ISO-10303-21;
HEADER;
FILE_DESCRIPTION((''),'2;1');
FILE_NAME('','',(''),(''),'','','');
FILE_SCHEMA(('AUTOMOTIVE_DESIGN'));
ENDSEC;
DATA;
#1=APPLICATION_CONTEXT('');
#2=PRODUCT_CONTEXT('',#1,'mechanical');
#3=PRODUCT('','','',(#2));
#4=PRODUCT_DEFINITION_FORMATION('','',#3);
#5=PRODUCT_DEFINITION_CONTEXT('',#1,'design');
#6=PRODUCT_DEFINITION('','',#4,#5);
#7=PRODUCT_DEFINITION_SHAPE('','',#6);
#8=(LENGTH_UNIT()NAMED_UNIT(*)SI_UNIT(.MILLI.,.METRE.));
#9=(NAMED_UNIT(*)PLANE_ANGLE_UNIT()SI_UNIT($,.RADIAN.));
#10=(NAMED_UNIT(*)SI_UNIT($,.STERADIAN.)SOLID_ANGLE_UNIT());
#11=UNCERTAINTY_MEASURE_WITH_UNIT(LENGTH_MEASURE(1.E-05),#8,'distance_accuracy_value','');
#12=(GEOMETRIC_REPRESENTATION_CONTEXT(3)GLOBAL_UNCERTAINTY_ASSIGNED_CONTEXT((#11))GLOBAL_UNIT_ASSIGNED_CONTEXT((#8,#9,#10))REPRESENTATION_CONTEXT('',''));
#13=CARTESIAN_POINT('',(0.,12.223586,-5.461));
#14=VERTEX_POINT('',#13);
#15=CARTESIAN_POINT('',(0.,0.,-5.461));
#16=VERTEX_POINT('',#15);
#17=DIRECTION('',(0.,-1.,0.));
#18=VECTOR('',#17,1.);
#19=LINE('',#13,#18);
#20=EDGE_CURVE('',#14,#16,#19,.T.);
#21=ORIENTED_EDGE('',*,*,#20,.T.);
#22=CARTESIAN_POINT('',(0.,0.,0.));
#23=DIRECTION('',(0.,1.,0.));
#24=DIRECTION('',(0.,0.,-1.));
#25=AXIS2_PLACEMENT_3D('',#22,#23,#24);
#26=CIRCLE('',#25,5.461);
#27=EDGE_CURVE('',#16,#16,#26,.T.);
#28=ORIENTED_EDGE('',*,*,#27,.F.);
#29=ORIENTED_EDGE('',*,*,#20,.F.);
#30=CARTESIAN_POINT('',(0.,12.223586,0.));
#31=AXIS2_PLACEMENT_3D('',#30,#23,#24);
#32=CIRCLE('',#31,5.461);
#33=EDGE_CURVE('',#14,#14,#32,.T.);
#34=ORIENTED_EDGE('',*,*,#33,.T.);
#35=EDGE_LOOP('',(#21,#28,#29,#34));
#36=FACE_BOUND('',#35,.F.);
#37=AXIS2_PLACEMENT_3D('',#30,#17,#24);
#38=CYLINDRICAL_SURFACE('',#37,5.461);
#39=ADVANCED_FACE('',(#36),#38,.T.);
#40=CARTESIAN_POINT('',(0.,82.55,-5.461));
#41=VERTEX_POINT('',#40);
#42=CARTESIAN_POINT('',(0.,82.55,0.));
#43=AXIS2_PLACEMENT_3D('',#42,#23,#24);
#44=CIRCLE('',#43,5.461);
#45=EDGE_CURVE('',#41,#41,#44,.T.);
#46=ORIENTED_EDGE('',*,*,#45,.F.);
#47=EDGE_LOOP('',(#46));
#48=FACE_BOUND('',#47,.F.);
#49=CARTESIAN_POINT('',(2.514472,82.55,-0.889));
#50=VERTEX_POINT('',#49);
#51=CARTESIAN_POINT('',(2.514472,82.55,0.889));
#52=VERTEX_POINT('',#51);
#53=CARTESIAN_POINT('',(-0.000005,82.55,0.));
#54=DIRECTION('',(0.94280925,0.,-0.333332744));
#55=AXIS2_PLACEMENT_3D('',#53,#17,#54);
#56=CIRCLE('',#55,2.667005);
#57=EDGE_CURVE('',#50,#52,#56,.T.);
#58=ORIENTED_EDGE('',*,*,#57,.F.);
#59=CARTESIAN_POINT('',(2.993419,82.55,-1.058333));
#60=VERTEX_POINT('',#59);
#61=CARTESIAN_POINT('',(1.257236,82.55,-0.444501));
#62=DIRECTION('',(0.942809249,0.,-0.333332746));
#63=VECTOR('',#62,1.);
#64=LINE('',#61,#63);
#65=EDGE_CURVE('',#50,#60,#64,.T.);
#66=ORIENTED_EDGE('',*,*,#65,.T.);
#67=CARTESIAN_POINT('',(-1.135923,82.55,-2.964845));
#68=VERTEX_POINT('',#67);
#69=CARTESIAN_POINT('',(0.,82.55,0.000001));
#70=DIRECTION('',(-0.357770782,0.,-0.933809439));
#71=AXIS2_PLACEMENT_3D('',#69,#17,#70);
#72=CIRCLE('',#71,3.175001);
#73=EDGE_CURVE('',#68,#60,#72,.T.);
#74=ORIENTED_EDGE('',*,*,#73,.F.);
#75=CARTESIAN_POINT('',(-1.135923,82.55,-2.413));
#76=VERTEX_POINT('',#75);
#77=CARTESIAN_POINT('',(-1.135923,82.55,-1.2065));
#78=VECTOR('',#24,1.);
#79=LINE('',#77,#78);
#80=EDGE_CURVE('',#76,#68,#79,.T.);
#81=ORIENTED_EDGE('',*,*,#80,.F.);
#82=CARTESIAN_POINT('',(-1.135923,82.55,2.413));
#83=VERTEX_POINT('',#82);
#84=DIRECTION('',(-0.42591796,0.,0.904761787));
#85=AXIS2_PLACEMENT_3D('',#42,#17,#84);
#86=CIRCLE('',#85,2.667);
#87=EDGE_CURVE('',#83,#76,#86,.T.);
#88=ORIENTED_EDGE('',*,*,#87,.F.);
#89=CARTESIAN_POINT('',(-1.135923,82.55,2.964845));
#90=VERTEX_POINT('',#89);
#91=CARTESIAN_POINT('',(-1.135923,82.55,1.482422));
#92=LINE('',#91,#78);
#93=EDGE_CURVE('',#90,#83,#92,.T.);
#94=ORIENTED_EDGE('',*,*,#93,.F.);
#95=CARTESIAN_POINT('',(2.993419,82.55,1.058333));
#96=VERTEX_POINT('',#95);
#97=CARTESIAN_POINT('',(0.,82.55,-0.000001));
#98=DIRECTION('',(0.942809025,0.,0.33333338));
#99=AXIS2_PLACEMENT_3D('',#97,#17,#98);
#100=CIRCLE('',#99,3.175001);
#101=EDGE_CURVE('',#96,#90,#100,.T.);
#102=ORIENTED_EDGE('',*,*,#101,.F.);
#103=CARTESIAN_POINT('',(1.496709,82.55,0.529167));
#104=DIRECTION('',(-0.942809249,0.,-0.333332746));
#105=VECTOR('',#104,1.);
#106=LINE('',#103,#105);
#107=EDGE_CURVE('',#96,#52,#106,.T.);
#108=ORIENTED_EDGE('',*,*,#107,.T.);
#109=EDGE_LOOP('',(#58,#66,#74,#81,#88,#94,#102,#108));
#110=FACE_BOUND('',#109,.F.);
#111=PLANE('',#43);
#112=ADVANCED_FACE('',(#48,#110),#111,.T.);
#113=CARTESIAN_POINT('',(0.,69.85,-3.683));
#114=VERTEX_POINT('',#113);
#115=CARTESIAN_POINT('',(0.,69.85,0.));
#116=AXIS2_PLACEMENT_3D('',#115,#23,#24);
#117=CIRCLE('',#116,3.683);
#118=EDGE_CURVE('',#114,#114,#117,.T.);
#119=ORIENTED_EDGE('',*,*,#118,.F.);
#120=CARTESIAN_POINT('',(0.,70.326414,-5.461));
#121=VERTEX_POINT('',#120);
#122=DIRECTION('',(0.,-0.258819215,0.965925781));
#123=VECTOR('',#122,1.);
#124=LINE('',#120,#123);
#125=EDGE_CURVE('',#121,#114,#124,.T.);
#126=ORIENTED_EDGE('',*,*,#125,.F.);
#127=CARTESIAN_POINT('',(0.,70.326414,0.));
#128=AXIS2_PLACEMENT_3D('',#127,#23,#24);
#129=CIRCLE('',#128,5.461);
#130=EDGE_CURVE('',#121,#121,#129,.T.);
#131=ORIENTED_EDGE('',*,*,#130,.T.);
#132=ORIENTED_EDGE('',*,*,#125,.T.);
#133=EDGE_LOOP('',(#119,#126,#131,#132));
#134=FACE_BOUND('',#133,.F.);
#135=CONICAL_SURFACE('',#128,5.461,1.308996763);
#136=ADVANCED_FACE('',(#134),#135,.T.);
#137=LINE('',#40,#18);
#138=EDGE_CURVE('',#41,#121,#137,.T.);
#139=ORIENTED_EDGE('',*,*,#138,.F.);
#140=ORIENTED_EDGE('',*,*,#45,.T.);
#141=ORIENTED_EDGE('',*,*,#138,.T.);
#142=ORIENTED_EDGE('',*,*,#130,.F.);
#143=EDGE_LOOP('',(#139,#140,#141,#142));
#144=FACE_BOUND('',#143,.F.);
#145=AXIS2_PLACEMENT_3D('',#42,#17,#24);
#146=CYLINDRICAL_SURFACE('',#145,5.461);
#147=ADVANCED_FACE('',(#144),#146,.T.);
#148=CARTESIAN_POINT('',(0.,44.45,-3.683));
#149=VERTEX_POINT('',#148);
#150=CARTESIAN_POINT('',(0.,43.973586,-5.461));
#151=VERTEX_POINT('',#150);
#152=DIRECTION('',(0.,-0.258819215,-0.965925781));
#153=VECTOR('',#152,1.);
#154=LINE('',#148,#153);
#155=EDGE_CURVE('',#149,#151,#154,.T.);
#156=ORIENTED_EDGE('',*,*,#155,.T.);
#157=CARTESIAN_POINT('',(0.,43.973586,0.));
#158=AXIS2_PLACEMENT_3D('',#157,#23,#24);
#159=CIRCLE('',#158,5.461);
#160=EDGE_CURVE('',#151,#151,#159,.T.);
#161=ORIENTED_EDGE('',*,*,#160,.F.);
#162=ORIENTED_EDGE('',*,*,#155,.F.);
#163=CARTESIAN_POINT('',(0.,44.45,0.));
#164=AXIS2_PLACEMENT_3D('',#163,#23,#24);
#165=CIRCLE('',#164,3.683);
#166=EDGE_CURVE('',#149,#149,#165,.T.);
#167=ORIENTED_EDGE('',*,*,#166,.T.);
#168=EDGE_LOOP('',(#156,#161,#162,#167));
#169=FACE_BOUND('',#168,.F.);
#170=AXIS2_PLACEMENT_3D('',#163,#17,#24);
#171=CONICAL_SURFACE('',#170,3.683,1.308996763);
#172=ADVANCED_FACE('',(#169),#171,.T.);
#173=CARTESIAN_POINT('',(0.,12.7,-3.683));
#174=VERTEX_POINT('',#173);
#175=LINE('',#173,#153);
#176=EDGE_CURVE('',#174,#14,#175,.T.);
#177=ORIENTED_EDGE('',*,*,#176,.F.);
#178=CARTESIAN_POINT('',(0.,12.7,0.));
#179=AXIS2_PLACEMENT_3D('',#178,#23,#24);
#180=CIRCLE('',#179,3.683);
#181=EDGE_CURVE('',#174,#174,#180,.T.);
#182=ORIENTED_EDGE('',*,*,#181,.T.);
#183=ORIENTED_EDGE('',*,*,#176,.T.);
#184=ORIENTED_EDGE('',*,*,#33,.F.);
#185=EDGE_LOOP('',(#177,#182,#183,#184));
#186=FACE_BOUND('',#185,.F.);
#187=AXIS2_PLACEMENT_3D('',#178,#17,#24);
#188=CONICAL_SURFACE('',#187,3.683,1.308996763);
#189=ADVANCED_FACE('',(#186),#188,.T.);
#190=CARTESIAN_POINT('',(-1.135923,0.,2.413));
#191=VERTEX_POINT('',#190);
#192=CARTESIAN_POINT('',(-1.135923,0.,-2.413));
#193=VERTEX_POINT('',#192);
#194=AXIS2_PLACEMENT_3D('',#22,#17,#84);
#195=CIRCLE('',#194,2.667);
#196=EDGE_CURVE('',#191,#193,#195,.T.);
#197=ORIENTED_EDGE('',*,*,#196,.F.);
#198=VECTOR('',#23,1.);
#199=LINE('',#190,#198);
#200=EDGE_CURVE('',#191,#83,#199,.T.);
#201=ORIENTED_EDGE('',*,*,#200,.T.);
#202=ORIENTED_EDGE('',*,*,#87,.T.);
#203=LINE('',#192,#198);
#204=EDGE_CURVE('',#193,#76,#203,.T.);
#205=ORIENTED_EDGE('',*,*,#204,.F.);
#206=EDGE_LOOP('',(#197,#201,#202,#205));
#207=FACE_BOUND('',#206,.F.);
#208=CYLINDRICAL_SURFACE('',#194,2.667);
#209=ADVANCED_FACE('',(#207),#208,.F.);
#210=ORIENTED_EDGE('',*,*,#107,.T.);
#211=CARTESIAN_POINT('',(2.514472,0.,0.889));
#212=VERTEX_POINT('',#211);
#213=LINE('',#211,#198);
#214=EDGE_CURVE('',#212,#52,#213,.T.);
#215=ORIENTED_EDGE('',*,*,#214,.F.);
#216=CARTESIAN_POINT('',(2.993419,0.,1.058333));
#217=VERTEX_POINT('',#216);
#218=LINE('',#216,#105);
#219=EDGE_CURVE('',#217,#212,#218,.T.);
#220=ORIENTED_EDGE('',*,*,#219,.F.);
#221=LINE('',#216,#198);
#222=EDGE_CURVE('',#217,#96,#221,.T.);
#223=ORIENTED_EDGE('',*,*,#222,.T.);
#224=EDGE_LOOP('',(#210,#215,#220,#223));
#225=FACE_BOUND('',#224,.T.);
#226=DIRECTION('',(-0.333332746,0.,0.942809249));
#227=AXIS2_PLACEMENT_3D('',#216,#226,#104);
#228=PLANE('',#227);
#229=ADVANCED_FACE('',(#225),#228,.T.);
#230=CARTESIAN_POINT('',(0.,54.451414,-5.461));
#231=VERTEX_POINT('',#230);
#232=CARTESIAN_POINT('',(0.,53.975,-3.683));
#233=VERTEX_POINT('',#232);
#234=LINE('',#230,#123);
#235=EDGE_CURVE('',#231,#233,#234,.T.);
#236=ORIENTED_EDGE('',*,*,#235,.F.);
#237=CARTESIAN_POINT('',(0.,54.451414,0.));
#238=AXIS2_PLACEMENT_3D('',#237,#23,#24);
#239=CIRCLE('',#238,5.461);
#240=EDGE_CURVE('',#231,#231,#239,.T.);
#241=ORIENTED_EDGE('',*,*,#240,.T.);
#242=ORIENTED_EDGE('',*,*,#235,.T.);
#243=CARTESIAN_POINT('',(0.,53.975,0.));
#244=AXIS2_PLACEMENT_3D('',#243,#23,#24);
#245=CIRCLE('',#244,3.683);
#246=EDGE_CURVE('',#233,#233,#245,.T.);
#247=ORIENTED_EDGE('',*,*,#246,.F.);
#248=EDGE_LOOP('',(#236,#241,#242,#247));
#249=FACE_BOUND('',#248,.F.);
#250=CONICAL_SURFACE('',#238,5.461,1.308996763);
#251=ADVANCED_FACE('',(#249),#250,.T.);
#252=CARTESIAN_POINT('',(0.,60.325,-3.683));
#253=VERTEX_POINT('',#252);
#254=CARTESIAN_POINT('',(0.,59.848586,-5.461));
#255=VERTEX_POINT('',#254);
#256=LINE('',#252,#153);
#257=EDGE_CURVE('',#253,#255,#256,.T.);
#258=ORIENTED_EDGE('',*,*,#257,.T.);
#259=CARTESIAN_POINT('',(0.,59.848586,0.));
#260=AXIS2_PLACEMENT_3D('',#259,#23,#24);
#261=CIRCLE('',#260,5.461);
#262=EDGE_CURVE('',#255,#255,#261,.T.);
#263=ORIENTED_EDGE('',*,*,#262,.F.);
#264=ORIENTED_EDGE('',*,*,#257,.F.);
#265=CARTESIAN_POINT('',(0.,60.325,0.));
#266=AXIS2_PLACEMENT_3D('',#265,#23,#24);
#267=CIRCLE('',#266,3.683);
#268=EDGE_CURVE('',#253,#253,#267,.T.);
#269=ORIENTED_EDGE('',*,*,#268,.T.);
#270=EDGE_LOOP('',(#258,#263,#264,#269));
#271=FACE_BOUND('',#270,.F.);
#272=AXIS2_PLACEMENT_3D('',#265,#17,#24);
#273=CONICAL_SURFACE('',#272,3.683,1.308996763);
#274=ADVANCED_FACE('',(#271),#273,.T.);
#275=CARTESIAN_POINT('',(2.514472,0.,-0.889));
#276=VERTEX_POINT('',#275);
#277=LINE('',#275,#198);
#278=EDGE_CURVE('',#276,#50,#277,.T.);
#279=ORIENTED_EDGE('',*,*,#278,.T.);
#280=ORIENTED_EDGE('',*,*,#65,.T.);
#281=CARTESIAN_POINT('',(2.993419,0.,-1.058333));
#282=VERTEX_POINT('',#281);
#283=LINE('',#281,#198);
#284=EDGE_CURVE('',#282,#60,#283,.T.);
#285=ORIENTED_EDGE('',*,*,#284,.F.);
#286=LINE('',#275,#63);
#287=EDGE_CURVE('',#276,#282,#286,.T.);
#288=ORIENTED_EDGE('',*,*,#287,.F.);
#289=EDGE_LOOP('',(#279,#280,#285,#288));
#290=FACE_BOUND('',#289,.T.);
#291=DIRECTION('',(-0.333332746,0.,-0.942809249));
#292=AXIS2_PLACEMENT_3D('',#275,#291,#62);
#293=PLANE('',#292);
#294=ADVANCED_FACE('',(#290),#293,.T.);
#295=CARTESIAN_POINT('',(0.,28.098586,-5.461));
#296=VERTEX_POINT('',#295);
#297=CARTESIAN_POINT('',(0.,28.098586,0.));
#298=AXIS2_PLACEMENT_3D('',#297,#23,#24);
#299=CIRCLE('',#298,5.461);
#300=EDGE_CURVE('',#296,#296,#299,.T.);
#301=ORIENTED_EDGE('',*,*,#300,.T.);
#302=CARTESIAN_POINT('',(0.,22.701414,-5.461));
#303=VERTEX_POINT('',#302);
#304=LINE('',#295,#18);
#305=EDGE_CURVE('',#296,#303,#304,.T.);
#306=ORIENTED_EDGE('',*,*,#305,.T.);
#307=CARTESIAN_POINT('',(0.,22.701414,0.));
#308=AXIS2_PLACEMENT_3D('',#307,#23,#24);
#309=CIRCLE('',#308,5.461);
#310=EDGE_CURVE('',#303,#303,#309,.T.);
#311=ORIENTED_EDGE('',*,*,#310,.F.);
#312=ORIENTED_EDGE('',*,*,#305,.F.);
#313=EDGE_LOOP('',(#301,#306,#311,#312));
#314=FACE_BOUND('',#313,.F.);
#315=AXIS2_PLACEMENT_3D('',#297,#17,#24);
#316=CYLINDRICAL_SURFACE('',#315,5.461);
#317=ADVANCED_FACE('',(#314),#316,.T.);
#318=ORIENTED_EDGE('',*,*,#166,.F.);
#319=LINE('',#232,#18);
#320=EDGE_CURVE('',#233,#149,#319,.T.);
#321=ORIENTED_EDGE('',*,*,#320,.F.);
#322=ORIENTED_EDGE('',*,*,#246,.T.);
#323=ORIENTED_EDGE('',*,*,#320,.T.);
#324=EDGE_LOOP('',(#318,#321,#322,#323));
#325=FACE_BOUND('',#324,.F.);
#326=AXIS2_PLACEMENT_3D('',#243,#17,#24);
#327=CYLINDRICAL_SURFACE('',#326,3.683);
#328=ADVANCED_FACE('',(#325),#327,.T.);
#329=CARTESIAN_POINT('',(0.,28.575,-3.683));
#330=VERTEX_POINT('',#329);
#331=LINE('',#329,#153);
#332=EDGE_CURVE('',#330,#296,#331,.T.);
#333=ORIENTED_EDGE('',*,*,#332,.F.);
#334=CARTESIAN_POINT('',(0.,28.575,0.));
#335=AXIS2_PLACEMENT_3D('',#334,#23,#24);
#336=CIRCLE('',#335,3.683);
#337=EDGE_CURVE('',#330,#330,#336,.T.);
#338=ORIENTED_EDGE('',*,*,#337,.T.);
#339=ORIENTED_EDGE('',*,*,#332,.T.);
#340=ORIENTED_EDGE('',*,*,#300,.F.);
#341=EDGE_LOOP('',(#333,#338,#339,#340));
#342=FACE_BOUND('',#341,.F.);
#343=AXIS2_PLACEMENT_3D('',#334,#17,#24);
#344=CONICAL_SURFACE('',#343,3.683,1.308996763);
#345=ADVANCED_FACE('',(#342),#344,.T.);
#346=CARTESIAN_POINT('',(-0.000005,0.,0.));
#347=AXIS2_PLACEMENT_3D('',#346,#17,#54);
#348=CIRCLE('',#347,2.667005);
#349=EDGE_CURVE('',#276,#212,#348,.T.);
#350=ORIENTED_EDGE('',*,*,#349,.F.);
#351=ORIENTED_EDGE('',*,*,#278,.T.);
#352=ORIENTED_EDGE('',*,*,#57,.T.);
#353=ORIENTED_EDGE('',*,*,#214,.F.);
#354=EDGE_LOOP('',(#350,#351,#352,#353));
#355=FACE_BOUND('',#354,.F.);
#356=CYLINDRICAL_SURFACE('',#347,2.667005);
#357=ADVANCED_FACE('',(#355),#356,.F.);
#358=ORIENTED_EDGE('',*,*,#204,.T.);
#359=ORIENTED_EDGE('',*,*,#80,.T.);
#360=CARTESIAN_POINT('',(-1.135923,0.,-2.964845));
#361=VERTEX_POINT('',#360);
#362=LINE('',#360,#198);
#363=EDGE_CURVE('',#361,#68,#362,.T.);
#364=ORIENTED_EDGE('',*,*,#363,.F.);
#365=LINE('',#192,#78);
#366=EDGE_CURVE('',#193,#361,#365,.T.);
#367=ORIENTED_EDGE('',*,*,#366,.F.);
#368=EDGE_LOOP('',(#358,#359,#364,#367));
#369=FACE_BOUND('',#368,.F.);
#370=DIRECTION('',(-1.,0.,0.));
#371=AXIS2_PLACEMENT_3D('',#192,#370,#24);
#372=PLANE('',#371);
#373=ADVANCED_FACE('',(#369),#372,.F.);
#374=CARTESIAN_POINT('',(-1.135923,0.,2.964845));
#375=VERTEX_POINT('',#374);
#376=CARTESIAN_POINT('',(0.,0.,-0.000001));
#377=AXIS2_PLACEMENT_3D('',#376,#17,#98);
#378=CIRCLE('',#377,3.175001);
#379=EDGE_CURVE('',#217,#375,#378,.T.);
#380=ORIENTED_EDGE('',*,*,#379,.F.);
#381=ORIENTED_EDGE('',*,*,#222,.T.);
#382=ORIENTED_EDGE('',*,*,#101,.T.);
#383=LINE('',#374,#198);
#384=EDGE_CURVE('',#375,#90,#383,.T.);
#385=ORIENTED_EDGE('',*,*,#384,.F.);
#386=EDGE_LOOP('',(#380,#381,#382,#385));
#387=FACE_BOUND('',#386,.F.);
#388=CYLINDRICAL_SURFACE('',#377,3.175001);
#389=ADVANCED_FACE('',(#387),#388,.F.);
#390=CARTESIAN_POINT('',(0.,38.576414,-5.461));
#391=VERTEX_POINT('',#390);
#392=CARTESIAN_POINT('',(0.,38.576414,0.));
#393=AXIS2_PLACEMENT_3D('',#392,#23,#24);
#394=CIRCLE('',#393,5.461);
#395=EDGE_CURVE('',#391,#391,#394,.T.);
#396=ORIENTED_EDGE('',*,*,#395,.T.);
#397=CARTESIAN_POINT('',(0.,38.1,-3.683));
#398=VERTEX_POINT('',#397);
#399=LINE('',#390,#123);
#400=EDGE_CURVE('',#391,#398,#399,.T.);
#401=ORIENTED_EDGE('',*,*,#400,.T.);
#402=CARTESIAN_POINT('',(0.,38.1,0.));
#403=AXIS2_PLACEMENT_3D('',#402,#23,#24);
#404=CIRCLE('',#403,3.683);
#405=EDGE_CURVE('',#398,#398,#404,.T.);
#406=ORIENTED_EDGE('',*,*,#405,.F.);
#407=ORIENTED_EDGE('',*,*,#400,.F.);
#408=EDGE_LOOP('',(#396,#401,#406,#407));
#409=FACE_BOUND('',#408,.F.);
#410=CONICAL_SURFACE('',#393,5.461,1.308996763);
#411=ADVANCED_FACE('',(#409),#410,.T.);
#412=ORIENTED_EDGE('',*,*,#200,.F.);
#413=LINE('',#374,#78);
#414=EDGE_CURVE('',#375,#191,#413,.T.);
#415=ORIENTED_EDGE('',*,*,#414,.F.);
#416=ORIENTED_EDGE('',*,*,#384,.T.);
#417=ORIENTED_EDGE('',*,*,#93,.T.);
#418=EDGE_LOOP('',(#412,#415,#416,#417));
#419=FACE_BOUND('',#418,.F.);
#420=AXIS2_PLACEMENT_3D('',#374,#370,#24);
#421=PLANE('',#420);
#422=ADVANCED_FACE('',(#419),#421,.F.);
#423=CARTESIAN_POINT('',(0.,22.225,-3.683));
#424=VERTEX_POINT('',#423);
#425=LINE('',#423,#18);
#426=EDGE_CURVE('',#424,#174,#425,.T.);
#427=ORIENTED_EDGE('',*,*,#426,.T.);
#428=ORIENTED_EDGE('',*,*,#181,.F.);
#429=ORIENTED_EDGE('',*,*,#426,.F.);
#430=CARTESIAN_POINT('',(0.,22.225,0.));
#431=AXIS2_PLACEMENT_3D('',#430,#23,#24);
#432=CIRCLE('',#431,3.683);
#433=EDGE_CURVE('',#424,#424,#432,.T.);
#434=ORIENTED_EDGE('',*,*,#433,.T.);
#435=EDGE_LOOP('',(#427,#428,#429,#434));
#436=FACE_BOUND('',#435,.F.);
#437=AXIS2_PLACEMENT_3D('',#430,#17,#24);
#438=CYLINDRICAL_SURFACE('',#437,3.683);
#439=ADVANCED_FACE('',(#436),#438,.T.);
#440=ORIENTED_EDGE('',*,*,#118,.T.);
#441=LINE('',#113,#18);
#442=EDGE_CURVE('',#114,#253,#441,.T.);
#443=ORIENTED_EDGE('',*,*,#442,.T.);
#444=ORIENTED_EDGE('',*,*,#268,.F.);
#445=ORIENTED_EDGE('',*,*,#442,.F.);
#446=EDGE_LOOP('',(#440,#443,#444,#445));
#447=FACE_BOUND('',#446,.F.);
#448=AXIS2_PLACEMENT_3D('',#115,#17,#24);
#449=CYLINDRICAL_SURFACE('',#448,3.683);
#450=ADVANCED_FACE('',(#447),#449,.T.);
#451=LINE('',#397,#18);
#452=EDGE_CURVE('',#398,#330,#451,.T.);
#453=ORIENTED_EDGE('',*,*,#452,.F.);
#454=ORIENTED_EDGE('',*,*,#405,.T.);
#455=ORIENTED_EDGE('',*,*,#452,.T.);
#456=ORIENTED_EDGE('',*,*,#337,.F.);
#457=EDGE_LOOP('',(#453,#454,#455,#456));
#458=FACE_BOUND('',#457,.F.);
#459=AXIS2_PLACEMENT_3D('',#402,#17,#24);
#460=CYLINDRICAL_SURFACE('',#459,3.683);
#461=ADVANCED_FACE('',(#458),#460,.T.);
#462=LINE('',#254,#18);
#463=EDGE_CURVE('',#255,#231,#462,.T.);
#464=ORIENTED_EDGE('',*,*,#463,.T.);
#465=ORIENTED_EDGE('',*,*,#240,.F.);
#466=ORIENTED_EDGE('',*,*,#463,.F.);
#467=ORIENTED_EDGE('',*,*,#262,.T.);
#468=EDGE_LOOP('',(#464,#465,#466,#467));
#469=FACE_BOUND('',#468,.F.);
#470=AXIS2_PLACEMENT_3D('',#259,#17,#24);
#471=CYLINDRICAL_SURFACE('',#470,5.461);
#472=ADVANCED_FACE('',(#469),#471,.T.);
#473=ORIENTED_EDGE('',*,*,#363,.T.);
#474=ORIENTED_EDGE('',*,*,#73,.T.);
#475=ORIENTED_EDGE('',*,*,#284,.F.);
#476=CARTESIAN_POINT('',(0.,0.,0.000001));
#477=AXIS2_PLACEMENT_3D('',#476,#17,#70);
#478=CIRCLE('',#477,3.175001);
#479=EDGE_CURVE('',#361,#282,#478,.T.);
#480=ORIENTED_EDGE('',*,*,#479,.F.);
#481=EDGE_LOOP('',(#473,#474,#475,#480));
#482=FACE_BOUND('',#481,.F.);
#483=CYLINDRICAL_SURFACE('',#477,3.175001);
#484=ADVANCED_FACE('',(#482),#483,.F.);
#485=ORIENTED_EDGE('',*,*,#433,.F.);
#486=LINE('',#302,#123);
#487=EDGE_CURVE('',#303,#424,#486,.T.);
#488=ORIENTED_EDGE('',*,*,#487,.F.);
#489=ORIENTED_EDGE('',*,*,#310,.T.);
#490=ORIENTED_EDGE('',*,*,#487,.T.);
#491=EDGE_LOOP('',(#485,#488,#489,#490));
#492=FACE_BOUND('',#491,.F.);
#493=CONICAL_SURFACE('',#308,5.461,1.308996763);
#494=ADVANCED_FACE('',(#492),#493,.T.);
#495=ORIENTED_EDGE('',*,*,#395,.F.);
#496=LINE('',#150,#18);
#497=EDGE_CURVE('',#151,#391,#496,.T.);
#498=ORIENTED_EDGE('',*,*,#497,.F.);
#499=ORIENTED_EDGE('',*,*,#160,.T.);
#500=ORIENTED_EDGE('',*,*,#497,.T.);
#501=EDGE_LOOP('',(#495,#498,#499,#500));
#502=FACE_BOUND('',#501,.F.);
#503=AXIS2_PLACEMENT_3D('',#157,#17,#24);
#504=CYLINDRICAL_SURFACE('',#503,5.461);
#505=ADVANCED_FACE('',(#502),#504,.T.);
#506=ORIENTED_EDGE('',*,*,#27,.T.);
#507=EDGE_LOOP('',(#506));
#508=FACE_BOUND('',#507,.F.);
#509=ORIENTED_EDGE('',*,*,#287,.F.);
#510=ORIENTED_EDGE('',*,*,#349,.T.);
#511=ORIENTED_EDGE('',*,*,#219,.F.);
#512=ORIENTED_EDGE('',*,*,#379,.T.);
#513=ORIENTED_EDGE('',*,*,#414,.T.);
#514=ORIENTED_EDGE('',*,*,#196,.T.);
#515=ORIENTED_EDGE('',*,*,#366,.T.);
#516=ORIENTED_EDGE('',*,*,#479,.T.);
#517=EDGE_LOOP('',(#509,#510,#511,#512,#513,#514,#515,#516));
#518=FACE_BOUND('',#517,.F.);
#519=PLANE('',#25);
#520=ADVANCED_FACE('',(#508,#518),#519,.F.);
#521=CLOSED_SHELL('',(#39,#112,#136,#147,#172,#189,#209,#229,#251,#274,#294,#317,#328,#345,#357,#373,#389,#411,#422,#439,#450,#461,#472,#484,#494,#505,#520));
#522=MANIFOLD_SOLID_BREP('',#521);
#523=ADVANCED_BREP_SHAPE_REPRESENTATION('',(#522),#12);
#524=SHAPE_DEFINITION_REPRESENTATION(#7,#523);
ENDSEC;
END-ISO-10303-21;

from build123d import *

# Parameters (mm, degrees)
POCKET_DEPTH = 82.551


with BuildPart() as part:
    # Sketch → Revolution (revolve)
    with BuildSketch(Plane.YZ):
        Polygon((0, 0), (82.55, 0), (82.55, -5.461), (70.326414, -5.461), (69.85, -3.683), (60.325, -3.683), (59.848586, -5.461), (54.451414, -5.461), (53.975, -3.683), (44.45, -3.683), (43.973586, -5.461), (38.576414, -5.461), (38.1, -3.683), (28.575, -3.683), (28.098586, -5.461), (22.701414, -5.461), (22.225, -3.683), (12.7, -3.683), (12.223586, -5.461), (0, -5.461), align=None)
    revolve(axis=Axis((0, 0, 0), (0, 1, 0)))

    # Sketch002 → Pocket (cut, through all)
    with BuildSketch(Plane.XZ):
        with BuildLine():
            ThreePointArc((-1.135923, 2.413), (-2.667, 0), (-1.135923, -2.413))
            Line((-1.135923, -2.413), (-1.135923, -2.964845))
            ThreePointArc((-1.135923, -2.964845), (1.330891, -2.882595), (2.993419, -1.058333))
            Line((2.514472, -0.889), (2.993419, -1.058333))
            ThreePointArc((2.514472, -0.889), (2.667, 0), (2.514472, 0.889))
            Line((2.993419, 1.058333), (2.514472, 0.889))
            ThreePointArc((2.993419, 1.058333), (1.330891, 2.882595), (-1.135923, 2.964845))
            Line((-1.135923, 2.964845), (-1.135923, 2.413))
        make_face()
    extrude(amount=-POCKET_DEPTH, mode=Mode.SUBTRACT)


solid = part.part
